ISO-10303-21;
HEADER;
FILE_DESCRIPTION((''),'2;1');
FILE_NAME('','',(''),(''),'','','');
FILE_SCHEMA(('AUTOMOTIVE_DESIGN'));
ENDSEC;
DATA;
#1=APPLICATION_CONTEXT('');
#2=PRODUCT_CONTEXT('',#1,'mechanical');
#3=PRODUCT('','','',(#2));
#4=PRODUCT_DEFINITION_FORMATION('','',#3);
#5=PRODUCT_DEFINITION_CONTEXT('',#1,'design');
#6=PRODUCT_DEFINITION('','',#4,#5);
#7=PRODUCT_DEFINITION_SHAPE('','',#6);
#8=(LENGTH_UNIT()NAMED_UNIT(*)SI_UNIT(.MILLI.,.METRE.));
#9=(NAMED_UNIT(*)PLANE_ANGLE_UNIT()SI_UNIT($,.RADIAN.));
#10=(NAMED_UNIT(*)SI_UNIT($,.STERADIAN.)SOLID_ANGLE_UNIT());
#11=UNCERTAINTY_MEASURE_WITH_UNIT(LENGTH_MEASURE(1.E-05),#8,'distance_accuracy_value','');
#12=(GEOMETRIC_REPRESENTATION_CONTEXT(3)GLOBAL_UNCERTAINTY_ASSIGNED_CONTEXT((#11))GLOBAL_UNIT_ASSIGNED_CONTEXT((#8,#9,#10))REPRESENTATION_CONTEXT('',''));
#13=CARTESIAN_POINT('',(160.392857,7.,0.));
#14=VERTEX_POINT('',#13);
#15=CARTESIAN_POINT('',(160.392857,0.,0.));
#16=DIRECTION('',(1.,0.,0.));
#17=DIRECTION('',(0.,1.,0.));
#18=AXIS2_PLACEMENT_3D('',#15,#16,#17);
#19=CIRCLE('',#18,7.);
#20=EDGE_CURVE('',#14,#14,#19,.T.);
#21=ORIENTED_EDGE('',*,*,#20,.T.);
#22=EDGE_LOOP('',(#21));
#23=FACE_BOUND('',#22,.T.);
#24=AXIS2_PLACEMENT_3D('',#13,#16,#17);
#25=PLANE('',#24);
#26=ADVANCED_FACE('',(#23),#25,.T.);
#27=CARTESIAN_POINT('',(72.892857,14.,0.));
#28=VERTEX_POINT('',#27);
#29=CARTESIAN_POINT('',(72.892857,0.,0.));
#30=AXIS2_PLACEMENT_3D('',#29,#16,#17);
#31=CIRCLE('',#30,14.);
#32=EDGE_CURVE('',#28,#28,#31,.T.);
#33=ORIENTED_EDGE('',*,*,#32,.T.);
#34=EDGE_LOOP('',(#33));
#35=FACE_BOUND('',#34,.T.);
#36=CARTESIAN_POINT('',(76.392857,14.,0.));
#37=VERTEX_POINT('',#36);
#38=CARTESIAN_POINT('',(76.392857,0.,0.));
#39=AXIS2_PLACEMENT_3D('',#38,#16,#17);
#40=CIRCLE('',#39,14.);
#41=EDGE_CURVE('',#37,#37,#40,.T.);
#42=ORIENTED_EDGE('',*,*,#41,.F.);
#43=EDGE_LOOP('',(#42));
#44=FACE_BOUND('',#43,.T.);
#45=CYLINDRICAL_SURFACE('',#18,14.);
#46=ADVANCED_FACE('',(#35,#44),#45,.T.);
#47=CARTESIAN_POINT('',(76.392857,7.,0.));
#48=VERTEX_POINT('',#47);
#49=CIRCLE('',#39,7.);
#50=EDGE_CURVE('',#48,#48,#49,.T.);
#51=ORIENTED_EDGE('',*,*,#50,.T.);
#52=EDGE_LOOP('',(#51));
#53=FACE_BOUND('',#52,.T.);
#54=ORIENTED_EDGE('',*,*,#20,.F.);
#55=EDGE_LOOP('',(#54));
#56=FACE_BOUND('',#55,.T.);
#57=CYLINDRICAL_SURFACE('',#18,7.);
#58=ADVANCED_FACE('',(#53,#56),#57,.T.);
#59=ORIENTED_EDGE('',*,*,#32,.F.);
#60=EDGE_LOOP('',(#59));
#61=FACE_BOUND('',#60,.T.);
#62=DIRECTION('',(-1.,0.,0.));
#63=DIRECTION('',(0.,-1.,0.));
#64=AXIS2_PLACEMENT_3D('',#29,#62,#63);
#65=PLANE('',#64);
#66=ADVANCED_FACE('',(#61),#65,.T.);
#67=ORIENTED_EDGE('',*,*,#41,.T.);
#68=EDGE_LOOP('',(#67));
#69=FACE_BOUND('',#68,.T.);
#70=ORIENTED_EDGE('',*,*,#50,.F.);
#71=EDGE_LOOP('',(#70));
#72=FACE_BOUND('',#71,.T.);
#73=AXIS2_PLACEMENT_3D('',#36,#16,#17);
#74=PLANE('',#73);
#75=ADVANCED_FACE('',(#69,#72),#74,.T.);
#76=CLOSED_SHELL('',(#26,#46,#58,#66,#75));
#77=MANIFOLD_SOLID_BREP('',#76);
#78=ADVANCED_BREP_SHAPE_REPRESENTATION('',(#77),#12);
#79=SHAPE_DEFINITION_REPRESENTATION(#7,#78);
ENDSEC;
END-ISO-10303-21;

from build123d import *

# Parameters (mm, degrees)
SCALE1_SCALE = 0.35


with BuildPart() as part:
    # Sketch4 → Revolve1 (revolve)
    with BuildSketch(Plane.XY):
        Polygon((0, 0), (0, 40), (10, 40), (10, 20), (250, 20), (250, 0), align=None)
    revolve(axis=Axis((250, 0, 0), (-1, 0, 0)))


with BuildPart() as part_1:
    # Scale1: scaled about (112.142857143, 0, 0)
    add(part.part.scale(SCALE1_SCALE).moved(Location((72.892857143, 0, 0))))


solid = part_1.part
